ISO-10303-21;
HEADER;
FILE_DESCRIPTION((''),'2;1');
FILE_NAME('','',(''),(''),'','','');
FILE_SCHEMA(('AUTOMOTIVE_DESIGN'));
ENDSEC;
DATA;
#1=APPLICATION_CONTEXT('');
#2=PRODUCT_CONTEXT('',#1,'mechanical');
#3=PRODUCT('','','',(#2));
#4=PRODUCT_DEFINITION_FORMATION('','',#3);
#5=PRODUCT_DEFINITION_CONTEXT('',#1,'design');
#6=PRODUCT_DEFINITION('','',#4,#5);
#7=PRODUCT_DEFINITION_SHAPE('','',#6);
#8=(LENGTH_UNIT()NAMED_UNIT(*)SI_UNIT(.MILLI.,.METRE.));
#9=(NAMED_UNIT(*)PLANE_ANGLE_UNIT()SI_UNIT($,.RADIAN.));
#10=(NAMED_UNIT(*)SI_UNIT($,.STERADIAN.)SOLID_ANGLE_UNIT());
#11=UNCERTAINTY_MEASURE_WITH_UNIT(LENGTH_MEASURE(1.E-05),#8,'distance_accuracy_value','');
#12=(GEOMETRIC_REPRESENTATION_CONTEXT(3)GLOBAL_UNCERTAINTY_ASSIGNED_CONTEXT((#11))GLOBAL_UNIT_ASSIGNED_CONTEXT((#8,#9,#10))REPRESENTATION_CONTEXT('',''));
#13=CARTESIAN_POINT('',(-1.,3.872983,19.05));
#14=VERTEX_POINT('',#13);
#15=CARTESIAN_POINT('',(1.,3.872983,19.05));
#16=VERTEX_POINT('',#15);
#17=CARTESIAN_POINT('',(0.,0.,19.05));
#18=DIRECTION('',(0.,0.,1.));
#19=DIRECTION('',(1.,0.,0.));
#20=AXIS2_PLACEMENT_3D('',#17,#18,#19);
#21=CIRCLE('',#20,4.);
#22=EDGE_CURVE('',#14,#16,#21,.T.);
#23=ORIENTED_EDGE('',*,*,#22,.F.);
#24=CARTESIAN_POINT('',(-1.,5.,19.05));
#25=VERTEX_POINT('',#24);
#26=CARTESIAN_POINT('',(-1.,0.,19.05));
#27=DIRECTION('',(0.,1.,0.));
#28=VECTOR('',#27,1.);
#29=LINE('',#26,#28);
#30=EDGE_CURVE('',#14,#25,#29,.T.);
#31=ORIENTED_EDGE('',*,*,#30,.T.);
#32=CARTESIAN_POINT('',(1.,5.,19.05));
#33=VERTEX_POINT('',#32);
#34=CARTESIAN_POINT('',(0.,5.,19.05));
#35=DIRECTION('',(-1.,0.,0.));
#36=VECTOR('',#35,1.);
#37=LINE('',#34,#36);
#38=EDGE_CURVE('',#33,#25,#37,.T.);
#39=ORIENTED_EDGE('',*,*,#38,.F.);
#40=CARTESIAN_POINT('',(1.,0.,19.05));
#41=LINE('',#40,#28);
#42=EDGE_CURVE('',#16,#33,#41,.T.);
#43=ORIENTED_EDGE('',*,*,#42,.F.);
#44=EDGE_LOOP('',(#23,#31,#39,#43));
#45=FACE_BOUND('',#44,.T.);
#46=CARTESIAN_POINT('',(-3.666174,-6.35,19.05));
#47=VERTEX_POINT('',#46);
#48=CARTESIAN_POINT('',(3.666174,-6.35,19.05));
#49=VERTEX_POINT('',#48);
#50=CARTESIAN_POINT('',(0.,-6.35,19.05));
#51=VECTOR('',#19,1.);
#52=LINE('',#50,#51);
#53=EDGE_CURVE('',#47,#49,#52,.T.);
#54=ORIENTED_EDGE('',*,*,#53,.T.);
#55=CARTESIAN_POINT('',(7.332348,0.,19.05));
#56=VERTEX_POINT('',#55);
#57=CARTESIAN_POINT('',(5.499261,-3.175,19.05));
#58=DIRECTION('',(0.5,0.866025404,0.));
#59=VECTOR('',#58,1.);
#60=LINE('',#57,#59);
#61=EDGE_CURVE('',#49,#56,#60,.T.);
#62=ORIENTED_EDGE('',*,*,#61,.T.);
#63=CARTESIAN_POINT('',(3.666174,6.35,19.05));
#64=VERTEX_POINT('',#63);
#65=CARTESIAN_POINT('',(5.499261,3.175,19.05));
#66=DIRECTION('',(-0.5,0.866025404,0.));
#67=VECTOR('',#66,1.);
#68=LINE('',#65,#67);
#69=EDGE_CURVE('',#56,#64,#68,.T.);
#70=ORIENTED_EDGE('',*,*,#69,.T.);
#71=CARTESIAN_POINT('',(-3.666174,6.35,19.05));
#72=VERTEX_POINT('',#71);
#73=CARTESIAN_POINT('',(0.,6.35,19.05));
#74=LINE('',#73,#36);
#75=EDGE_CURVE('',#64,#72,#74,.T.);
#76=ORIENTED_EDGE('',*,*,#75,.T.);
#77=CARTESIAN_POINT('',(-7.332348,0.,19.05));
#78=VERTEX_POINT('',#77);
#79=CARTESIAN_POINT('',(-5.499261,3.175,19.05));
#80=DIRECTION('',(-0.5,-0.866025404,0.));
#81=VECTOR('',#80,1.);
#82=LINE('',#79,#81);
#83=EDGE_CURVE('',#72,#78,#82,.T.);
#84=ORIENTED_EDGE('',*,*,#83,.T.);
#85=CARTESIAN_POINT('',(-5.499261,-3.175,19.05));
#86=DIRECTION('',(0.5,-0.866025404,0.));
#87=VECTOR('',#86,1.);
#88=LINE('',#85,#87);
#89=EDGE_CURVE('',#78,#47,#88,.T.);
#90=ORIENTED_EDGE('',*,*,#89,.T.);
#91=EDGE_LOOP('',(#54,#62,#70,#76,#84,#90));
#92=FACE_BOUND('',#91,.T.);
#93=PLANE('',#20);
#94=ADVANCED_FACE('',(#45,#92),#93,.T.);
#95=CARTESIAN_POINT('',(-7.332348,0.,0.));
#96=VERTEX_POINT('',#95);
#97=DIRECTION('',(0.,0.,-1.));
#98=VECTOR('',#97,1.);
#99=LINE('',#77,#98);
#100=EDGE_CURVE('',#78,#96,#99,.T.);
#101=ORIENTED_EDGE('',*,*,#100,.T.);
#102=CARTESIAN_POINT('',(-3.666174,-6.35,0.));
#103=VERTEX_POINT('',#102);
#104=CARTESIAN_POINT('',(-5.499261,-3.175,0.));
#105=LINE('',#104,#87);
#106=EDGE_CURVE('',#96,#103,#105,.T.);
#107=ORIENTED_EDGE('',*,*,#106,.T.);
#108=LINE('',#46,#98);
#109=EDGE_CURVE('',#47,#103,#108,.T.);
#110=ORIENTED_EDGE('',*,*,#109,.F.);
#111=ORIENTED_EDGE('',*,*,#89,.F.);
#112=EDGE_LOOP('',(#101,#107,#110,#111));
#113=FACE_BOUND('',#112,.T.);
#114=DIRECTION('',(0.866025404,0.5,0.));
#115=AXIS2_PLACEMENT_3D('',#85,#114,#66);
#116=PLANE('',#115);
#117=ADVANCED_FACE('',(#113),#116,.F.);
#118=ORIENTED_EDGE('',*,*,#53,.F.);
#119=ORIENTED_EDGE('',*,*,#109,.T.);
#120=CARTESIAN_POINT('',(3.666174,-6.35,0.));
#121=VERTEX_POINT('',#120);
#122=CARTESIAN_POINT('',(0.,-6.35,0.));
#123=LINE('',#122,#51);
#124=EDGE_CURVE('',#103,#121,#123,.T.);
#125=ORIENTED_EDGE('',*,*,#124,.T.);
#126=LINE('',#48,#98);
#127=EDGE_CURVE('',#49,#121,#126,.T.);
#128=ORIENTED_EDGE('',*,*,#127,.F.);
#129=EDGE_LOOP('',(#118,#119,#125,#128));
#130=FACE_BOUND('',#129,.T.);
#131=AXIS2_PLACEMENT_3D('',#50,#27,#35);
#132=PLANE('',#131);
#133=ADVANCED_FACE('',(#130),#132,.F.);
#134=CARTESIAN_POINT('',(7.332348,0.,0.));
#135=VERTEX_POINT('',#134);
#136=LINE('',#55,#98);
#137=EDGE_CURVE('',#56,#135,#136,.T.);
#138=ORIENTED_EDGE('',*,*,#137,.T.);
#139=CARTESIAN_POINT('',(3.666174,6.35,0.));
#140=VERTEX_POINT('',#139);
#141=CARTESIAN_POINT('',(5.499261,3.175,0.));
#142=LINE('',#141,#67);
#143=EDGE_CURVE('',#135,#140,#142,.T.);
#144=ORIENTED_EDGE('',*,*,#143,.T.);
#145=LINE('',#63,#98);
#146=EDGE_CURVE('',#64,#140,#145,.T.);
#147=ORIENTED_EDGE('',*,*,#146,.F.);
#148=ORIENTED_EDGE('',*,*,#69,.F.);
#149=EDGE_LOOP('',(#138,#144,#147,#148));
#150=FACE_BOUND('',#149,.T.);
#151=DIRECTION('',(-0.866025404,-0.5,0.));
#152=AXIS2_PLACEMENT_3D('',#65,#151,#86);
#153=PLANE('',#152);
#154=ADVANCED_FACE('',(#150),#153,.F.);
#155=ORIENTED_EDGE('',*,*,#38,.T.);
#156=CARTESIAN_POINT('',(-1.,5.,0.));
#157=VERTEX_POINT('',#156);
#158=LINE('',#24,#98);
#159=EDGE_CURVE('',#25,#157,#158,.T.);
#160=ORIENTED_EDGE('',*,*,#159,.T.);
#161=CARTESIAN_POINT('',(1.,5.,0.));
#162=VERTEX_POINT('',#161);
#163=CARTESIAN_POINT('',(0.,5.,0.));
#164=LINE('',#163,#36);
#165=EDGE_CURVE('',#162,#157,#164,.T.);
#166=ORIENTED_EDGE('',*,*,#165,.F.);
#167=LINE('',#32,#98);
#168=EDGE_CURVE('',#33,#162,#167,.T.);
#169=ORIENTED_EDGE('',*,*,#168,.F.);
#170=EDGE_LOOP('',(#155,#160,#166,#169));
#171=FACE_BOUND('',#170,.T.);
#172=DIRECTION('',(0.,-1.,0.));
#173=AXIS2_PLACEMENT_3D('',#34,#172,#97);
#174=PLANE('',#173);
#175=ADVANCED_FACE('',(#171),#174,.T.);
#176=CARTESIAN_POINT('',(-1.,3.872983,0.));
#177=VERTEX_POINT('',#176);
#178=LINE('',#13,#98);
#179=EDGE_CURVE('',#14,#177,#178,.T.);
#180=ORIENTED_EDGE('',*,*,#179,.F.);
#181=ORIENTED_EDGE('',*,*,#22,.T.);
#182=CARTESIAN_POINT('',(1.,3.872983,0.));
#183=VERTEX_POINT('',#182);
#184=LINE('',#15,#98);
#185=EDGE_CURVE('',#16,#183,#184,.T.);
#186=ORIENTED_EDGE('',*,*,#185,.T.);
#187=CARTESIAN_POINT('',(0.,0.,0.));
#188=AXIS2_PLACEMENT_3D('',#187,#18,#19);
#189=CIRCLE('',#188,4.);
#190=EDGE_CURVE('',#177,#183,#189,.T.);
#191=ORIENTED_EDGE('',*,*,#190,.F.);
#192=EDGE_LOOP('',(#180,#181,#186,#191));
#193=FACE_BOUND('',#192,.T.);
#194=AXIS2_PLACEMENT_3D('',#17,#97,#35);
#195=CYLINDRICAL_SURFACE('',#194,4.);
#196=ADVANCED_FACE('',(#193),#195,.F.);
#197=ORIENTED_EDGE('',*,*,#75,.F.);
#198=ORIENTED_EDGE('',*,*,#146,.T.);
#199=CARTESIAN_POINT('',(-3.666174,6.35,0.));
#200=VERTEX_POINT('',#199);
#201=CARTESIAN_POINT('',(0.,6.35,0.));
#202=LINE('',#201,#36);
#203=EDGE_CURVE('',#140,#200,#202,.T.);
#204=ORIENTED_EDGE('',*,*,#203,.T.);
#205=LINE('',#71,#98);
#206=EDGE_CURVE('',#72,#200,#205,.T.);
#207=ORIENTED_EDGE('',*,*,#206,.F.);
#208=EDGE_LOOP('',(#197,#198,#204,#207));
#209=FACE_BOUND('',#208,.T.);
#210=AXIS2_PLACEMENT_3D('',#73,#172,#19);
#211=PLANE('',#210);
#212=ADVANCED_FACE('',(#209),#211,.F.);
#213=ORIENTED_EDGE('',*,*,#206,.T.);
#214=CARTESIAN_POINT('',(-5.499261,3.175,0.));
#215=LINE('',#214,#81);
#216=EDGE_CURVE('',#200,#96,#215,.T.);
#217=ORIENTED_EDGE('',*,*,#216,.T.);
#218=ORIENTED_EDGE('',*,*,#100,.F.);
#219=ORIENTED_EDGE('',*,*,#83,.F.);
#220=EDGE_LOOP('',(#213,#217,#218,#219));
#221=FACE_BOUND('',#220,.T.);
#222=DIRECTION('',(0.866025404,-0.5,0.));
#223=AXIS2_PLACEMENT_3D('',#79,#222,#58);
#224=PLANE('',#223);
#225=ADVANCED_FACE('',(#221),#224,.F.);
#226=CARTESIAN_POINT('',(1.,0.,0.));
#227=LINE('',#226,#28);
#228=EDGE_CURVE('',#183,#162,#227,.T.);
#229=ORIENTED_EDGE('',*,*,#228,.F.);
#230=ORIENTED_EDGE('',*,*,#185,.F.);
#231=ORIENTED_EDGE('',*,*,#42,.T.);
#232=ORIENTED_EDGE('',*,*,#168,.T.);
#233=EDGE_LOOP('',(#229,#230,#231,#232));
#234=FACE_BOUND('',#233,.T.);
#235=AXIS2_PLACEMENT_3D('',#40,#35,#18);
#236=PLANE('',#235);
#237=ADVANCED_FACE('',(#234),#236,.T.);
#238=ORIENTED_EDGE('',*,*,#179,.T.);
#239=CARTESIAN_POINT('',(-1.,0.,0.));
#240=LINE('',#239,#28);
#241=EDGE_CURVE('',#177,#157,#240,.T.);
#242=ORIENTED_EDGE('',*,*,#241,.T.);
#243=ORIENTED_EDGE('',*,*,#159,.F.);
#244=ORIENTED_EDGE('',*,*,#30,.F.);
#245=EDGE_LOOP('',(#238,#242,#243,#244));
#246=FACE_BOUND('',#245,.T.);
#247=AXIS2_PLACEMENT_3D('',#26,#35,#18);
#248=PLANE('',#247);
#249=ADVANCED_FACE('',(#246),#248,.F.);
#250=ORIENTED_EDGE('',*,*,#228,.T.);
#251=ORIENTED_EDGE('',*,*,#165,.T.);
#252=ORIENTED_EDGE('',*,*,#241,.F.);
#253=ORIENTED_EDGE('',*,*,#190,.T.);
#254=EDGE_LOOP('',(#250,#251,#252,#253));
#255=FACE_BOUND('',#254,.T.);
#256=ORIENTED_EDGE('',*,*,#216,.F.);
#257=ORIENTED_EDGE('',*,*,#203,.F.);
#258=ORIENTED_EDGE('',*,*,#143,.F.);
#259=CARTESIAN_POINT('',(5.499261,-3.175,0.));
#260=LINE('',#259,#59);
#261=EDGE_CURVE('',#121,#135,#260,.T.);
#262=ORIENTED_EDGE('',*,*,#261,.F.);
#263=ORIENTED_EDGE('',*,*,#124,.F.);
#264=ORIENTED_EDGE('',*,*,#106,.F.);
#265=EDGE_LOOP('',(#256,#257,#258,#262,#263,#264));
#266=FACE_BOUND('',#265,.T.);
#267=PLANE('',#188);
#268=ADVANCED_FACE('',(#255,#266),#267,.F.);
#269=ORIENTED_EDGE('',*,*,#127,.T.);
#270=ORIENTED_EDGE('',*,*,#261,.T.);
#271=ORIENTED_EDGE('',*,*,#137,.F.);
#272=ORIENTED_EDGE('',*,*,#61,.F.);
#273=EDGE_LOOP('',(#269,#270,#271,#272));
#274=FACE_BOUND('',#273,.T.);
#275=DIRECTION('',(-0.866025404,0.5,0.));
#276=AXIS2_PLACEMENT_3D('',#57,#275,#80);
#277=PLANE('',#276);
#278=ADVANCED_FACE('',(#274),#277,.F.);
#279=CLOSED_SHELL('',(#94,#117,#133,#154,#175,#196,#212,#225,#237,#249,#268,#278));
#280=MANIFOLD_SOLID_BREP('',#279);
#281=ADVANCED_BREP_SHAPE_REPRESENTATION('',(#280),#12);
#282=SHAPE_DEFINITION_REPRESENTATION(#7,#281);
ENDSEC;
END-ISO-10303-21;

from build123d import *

# Parameters (mm, degrees)
BOSS_EXTRUDE1_DEPTH = 19.05


with BuildPart() as part:
    # Sketch1 → Boss-Extrude1 (new body)
    with BuildSketch(Plane.XY):
        Polygon((3.666174209, -6.35), (7.332348419, 0), (3.666174209, 6.35), (-3.666174209, 6.35), (-7.332348419, 0), (-3.666174209, -6.35), align=None)
        with BuildLine():
            Line((1, 5), (1, 3.872983346))
            ThreePointArc((1, 3.872983346), (3.16227766, 2.449489743), (4, 0))
            ThreePointArc((4, 0), (-2.449489743, -3.16227766), (-1, 3.872983346))
            Line((-1, 3.872983346), (-1, 5))
            Line((-1, 5), (1, 5))
        make_face(mode=Mode.SUBTRACT)
    extrude(amount=BOSS_EXTRUDE1_DEPTH)


solid = part.part
